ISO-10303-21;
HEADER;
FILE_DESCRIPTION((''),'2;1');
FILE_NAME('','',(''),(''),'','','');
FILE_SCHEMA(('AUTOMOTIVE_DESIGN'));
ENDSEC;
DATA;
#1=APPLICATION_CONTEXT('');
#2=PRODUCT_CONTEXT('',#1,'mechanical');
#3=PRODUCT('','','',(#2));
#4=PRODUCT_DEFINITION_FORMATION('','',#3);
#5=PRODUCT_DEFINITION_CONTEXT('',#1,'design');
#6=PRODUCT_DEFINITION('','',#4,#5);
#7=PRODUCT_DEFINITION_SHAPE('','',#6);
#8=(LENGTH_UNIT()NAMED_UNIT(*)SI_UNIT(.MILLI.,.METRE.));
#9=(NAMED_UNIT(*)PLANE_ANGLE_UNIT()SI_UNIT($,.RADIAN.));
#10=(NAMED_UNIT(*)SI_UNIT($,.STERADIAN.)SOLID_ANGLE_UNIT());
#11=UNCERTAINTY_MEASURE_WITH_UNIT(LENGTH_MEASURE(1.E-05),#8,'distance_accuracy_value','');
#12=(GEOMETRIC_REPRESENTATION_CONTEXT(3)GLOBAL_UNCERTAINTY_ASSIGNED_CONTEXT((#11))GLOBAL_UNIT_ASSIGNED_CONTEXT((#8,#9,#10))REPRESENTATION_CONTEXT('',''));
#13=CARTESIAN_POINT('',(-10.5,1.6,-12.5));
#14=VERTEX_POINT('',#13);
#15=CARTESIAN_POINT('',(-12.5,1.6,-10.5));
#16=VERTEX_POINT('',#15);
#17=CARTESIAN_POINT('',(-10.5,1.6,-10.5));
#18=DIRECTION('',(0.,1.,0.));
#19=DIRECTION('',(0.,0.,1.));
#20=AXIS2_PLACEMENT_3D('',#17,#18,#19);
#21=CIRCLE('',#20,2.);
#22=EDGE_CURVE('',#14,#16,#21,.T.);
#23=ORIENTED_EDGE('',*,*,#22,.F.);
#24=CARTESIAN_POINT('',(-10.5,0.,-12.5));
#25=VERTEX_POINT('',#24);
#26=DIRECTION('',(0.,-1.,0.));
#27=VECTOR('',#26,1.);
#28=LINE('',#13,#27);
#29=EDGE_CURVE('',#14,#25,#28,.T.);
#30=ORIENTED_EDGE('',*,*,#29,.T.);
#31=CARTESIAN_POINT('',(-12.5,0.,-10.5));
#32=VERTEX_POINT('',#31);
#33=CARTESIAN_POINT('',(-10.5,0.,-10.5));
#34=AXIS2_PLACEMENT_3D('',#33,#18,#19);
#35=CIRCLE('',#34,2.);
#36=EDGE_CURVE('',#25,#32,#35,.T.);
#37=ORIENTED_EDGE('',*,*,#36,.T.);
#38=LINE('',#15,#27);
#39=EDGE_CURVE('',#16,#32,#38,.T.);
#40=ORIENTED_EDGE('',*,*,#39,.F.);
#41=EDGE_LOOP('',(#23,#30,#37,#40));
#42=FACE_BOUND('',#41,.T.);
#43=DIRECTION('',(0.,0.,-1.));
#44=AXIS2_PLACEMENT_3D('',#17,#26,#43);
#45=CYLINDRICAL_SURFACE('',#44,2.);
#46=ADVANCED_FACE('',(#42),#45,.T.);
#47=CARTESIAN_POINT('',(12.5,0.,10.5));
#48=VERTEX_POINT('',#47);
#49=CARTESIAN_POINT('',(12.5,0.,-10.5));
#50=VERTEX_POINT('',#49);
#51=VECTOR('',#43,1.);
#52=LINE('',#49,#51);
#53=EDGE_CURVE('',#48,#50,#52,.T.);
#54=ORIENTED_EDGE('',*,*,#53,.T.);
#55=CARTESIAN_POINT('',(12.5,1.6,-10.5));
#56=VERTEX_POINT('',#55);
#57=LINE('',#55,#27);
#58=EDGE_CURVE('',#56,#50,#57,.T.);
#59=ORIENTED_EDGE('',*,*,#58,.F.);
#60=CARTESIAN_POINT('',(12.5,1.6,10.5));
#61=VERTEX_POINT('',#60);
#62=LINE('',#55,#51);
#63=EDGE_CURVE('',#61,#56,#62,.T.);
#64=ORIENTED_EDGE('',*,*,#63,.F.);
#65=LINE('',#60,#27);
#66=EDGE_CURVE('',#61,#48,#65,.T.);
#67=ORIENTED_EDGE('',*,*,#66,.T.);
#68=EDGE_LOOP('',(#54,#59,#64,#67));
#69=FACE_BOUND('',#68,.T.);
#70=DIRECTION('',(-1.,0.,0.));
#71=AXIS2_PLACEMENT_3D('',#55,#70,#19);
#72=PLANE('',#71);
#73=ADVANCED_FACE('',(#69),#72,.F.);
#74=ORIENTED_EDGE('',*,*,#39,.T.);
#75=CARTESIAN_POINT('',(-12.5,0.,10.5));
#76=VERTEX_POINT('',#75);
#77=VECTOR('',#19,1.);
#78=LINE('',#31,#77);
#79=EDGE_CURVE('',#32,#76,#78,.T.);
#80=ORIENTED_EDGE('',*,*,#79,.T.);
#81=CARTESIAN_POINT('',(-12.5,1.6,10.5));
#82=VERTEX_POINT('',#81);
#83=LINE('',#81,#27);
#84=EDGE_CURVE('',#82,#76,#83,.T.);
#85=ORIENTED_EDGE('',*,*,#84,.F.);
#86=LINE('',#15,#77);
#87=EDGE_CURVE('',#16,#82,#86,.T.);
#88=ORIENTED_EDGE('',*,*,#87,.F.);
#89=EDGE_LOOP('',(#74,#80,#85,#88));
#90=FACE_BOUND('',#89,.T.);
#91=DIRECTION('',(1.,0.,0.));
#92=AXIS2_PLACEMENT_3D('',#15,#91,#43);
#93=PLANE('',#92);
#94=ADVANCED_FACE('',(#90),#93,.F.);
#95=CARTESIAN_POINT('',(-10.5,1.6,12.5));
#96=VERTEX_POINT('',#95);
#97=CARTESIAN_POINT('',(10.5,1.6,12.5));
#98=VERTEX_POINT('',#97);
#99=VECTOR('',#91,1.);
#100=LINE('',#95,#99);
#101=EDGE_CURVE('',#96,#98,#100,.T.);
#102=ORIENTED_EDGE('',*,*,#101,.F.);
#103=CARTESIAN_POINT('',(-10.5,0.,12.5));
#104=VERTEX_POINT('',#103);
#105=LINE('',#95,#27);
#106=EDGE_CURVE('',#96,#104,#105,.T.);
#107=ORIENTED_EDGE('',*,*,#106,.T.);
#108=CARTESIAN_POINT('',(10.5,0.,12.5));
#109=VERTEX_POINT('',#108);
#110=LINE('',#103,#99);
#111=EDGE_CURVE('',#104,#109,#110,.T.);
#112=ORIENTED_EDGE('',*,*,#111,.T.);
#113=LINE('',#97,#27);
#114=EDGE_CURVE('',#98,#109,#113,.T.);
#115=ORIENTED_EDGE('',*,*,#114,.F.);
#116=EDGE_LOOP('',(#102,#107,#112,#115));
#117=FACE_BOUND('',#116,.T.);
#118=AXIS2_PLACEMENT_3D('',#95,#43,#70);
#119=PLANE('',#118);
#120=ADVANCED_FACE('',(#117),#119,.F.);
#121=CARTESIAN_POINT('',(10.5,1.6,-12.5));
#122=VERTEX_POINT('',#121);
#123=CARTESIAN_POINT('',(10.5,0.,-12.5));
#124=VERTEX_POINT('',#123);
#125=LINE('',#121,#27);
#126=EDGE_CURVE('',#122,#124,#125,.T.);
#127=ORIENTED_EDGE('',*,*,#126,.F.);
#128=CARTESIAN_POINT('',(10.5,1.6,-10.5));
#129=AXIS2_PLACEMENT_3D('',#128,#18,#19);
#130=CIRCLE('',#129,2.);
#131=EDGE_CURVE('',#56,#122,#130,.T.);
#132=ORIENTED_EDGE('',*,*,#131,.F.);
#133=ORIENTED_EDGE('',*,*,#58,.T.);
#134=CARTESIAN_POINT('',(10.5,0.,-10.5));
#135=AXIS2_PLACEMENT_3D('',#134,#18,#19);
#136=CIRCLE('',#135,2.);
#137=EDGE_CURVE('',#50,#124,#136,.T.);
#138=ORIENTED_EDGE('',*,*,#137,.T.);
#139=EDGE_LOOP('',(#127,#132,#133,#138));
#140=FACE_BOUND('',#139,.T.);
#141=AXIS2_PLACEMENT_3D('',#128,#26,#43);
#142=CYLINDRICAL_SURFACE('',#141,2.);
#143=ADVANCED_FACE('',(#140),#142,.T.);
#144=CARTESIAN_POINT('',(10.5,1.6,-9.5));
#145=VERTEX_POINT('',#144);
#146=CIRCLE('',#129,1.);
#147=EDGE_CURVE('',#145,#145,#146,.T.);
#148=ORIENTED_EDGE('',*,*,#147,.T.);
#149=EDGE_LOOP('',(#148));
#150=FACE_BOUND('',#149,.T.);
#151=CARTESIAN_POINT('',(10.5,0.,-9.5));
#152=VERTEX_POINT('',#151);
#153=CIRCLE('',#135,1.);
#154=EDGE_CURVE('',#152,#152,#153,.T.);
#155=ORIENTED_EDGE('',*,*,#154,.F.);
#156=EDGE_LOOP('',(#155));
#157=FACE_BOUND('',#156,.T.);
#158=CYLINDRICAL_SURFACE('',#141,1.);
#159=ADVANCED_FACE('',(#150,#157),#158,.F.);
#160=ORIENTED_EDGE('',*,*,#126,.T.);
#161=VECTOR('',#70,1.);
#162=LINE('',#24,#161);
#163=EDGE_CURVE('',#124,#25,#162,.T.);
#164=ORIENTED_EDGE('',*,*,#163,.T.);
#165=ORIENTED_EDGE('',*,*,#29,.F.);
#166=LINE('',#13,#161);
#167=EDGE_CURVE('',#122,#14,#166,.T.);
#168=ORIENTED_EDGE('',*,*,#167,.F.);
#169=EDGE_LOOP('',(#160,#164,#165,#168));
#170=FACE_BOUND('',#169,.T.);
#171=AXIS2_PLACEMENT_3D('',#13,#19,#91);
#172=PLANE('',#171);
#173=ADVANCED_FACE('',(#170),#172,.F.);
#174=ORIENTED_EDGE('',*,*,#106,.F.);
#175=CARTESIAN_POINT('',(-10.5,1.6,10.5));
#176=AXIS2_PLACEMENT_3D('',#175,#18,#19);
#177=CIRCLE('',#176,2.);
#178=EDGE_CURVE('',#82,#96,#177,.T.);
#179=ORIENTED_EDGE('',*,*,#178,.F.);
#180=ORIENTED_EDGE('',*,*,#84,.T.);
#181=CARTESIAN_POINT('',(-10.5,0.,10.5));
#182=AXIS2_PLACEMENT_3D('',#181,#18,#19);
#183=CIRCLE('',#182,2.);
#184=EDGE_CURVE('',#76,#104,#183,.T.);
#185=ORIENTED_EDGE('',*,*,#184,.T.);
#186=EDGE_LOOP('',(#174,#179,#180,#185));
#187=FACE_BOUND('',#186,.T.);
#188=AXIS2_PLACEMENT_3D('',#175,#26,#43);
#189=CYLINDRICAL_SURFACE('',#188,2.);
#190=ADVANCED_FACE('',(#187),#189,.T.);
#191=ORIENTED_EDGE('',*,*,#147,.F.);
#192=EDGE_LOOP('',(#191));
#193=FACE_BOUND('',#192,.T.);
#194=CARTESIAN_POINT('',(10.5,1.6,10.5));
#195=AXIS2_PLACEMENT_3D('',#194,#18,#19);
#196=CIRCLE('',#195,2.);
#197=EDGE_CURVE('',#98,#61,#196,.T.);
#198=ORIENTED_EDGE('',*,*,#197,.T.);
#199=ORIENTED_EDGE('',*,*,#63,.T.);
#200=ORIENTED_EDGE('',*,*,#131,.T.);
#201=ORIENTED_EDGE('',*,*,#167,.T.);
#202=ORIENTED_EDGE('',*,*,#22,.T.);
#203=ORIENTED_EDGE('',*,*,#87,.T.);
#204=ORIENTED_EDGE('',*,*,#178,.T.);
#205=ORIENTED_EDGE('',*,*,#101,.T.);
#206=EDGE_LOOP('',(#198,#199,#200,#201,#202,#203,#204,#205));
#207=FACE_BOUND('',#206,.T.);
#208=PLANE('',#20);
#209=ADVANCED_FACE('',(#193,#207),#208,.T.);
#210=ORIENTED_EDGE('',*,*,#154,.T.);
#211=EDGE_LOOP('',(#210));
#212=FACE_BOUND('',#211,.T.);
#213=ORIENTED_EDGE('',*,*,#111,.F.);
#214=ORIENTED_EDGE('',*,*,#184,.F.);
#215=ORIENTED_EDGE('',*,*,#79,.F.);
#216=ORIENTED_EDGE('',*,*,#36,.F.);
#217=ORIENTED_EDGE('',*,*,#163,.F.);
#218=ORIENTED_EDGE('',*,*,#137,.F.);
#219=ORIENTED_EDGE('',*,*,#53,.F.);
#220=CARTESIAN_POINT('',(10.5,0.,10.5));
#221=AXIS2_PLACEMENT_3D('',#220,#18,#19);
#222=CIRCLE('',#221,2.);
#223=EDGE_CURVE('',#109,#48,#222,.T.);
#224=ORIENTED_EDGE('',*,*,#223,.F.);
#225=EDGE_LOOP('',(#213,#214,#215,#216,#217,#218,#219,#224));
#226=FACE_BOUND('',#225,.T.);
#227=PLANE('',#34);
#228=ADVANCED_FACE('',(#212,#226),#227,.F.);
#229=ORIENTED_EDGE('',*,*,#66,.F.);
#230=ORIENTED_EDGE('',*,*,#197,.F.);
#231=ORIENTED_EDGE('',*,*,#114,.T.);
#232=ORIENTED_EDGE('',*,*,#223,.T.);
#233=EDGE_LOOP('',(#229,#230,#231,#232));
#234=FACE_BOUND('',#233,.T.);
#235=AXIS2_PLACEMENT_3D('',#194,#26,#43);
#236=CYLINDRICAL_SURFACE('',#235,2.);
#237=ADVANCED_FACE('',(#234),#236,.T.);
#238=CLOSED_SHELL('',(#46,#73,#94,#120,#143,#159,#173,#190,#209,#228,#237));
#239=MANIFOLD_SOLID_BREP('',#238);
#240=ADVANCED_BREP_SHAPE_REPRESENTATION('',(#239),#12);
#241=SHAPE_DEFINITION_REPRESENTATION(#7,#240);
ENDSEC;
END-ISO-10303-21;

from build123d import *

# Parameters (mm, degrees)
SKETCH_1_R      = 1
EXTRUDE_1_DEPTH = 1.6


with BuildPart() as part:
    # 草图1 → 凸台-拉伸1 (new body)
    with BuildSketch(Plane(origin=(0, 0, 0), x_dir=(1, 0, 0), z_dir=(0, 1, 0))):
        with BuildLine():
            Line((-10.5, 12.5), (10.5, 12.5))
            ThreePointArc((10.5, 12.5), (11.914213562, 11.914213562), (12.5, 10.5))
            Line((12.5, 10.5), (12.5, -10.5))
            ThreePointArc((12.5, -10.5), (11.914213562, -11.914213562), (10.5, -12.5))
            Line((10.5, -12.5), (-10.5, -12.5))
            ThreePointArc((-10.5, -12.5), (-11.914213562, -11.914213562), (-12.5, -10.5))
            Line((-12.5, -10.5), (-12.5, 10.5))
            ThreePointArc((-12.5, 10.5), (-11.914213562, 11.914213562), (-10.5, 12.5))
        make_face()
        with Locations(Location((10.5, 10.5, 0), (0, 0, 270))):
            Circle(SKETCH_1_R, mode=Mode.SUBTRACT)
    extrude(amount=EXTRUDE_1_DEPTH)


solid = part.part
